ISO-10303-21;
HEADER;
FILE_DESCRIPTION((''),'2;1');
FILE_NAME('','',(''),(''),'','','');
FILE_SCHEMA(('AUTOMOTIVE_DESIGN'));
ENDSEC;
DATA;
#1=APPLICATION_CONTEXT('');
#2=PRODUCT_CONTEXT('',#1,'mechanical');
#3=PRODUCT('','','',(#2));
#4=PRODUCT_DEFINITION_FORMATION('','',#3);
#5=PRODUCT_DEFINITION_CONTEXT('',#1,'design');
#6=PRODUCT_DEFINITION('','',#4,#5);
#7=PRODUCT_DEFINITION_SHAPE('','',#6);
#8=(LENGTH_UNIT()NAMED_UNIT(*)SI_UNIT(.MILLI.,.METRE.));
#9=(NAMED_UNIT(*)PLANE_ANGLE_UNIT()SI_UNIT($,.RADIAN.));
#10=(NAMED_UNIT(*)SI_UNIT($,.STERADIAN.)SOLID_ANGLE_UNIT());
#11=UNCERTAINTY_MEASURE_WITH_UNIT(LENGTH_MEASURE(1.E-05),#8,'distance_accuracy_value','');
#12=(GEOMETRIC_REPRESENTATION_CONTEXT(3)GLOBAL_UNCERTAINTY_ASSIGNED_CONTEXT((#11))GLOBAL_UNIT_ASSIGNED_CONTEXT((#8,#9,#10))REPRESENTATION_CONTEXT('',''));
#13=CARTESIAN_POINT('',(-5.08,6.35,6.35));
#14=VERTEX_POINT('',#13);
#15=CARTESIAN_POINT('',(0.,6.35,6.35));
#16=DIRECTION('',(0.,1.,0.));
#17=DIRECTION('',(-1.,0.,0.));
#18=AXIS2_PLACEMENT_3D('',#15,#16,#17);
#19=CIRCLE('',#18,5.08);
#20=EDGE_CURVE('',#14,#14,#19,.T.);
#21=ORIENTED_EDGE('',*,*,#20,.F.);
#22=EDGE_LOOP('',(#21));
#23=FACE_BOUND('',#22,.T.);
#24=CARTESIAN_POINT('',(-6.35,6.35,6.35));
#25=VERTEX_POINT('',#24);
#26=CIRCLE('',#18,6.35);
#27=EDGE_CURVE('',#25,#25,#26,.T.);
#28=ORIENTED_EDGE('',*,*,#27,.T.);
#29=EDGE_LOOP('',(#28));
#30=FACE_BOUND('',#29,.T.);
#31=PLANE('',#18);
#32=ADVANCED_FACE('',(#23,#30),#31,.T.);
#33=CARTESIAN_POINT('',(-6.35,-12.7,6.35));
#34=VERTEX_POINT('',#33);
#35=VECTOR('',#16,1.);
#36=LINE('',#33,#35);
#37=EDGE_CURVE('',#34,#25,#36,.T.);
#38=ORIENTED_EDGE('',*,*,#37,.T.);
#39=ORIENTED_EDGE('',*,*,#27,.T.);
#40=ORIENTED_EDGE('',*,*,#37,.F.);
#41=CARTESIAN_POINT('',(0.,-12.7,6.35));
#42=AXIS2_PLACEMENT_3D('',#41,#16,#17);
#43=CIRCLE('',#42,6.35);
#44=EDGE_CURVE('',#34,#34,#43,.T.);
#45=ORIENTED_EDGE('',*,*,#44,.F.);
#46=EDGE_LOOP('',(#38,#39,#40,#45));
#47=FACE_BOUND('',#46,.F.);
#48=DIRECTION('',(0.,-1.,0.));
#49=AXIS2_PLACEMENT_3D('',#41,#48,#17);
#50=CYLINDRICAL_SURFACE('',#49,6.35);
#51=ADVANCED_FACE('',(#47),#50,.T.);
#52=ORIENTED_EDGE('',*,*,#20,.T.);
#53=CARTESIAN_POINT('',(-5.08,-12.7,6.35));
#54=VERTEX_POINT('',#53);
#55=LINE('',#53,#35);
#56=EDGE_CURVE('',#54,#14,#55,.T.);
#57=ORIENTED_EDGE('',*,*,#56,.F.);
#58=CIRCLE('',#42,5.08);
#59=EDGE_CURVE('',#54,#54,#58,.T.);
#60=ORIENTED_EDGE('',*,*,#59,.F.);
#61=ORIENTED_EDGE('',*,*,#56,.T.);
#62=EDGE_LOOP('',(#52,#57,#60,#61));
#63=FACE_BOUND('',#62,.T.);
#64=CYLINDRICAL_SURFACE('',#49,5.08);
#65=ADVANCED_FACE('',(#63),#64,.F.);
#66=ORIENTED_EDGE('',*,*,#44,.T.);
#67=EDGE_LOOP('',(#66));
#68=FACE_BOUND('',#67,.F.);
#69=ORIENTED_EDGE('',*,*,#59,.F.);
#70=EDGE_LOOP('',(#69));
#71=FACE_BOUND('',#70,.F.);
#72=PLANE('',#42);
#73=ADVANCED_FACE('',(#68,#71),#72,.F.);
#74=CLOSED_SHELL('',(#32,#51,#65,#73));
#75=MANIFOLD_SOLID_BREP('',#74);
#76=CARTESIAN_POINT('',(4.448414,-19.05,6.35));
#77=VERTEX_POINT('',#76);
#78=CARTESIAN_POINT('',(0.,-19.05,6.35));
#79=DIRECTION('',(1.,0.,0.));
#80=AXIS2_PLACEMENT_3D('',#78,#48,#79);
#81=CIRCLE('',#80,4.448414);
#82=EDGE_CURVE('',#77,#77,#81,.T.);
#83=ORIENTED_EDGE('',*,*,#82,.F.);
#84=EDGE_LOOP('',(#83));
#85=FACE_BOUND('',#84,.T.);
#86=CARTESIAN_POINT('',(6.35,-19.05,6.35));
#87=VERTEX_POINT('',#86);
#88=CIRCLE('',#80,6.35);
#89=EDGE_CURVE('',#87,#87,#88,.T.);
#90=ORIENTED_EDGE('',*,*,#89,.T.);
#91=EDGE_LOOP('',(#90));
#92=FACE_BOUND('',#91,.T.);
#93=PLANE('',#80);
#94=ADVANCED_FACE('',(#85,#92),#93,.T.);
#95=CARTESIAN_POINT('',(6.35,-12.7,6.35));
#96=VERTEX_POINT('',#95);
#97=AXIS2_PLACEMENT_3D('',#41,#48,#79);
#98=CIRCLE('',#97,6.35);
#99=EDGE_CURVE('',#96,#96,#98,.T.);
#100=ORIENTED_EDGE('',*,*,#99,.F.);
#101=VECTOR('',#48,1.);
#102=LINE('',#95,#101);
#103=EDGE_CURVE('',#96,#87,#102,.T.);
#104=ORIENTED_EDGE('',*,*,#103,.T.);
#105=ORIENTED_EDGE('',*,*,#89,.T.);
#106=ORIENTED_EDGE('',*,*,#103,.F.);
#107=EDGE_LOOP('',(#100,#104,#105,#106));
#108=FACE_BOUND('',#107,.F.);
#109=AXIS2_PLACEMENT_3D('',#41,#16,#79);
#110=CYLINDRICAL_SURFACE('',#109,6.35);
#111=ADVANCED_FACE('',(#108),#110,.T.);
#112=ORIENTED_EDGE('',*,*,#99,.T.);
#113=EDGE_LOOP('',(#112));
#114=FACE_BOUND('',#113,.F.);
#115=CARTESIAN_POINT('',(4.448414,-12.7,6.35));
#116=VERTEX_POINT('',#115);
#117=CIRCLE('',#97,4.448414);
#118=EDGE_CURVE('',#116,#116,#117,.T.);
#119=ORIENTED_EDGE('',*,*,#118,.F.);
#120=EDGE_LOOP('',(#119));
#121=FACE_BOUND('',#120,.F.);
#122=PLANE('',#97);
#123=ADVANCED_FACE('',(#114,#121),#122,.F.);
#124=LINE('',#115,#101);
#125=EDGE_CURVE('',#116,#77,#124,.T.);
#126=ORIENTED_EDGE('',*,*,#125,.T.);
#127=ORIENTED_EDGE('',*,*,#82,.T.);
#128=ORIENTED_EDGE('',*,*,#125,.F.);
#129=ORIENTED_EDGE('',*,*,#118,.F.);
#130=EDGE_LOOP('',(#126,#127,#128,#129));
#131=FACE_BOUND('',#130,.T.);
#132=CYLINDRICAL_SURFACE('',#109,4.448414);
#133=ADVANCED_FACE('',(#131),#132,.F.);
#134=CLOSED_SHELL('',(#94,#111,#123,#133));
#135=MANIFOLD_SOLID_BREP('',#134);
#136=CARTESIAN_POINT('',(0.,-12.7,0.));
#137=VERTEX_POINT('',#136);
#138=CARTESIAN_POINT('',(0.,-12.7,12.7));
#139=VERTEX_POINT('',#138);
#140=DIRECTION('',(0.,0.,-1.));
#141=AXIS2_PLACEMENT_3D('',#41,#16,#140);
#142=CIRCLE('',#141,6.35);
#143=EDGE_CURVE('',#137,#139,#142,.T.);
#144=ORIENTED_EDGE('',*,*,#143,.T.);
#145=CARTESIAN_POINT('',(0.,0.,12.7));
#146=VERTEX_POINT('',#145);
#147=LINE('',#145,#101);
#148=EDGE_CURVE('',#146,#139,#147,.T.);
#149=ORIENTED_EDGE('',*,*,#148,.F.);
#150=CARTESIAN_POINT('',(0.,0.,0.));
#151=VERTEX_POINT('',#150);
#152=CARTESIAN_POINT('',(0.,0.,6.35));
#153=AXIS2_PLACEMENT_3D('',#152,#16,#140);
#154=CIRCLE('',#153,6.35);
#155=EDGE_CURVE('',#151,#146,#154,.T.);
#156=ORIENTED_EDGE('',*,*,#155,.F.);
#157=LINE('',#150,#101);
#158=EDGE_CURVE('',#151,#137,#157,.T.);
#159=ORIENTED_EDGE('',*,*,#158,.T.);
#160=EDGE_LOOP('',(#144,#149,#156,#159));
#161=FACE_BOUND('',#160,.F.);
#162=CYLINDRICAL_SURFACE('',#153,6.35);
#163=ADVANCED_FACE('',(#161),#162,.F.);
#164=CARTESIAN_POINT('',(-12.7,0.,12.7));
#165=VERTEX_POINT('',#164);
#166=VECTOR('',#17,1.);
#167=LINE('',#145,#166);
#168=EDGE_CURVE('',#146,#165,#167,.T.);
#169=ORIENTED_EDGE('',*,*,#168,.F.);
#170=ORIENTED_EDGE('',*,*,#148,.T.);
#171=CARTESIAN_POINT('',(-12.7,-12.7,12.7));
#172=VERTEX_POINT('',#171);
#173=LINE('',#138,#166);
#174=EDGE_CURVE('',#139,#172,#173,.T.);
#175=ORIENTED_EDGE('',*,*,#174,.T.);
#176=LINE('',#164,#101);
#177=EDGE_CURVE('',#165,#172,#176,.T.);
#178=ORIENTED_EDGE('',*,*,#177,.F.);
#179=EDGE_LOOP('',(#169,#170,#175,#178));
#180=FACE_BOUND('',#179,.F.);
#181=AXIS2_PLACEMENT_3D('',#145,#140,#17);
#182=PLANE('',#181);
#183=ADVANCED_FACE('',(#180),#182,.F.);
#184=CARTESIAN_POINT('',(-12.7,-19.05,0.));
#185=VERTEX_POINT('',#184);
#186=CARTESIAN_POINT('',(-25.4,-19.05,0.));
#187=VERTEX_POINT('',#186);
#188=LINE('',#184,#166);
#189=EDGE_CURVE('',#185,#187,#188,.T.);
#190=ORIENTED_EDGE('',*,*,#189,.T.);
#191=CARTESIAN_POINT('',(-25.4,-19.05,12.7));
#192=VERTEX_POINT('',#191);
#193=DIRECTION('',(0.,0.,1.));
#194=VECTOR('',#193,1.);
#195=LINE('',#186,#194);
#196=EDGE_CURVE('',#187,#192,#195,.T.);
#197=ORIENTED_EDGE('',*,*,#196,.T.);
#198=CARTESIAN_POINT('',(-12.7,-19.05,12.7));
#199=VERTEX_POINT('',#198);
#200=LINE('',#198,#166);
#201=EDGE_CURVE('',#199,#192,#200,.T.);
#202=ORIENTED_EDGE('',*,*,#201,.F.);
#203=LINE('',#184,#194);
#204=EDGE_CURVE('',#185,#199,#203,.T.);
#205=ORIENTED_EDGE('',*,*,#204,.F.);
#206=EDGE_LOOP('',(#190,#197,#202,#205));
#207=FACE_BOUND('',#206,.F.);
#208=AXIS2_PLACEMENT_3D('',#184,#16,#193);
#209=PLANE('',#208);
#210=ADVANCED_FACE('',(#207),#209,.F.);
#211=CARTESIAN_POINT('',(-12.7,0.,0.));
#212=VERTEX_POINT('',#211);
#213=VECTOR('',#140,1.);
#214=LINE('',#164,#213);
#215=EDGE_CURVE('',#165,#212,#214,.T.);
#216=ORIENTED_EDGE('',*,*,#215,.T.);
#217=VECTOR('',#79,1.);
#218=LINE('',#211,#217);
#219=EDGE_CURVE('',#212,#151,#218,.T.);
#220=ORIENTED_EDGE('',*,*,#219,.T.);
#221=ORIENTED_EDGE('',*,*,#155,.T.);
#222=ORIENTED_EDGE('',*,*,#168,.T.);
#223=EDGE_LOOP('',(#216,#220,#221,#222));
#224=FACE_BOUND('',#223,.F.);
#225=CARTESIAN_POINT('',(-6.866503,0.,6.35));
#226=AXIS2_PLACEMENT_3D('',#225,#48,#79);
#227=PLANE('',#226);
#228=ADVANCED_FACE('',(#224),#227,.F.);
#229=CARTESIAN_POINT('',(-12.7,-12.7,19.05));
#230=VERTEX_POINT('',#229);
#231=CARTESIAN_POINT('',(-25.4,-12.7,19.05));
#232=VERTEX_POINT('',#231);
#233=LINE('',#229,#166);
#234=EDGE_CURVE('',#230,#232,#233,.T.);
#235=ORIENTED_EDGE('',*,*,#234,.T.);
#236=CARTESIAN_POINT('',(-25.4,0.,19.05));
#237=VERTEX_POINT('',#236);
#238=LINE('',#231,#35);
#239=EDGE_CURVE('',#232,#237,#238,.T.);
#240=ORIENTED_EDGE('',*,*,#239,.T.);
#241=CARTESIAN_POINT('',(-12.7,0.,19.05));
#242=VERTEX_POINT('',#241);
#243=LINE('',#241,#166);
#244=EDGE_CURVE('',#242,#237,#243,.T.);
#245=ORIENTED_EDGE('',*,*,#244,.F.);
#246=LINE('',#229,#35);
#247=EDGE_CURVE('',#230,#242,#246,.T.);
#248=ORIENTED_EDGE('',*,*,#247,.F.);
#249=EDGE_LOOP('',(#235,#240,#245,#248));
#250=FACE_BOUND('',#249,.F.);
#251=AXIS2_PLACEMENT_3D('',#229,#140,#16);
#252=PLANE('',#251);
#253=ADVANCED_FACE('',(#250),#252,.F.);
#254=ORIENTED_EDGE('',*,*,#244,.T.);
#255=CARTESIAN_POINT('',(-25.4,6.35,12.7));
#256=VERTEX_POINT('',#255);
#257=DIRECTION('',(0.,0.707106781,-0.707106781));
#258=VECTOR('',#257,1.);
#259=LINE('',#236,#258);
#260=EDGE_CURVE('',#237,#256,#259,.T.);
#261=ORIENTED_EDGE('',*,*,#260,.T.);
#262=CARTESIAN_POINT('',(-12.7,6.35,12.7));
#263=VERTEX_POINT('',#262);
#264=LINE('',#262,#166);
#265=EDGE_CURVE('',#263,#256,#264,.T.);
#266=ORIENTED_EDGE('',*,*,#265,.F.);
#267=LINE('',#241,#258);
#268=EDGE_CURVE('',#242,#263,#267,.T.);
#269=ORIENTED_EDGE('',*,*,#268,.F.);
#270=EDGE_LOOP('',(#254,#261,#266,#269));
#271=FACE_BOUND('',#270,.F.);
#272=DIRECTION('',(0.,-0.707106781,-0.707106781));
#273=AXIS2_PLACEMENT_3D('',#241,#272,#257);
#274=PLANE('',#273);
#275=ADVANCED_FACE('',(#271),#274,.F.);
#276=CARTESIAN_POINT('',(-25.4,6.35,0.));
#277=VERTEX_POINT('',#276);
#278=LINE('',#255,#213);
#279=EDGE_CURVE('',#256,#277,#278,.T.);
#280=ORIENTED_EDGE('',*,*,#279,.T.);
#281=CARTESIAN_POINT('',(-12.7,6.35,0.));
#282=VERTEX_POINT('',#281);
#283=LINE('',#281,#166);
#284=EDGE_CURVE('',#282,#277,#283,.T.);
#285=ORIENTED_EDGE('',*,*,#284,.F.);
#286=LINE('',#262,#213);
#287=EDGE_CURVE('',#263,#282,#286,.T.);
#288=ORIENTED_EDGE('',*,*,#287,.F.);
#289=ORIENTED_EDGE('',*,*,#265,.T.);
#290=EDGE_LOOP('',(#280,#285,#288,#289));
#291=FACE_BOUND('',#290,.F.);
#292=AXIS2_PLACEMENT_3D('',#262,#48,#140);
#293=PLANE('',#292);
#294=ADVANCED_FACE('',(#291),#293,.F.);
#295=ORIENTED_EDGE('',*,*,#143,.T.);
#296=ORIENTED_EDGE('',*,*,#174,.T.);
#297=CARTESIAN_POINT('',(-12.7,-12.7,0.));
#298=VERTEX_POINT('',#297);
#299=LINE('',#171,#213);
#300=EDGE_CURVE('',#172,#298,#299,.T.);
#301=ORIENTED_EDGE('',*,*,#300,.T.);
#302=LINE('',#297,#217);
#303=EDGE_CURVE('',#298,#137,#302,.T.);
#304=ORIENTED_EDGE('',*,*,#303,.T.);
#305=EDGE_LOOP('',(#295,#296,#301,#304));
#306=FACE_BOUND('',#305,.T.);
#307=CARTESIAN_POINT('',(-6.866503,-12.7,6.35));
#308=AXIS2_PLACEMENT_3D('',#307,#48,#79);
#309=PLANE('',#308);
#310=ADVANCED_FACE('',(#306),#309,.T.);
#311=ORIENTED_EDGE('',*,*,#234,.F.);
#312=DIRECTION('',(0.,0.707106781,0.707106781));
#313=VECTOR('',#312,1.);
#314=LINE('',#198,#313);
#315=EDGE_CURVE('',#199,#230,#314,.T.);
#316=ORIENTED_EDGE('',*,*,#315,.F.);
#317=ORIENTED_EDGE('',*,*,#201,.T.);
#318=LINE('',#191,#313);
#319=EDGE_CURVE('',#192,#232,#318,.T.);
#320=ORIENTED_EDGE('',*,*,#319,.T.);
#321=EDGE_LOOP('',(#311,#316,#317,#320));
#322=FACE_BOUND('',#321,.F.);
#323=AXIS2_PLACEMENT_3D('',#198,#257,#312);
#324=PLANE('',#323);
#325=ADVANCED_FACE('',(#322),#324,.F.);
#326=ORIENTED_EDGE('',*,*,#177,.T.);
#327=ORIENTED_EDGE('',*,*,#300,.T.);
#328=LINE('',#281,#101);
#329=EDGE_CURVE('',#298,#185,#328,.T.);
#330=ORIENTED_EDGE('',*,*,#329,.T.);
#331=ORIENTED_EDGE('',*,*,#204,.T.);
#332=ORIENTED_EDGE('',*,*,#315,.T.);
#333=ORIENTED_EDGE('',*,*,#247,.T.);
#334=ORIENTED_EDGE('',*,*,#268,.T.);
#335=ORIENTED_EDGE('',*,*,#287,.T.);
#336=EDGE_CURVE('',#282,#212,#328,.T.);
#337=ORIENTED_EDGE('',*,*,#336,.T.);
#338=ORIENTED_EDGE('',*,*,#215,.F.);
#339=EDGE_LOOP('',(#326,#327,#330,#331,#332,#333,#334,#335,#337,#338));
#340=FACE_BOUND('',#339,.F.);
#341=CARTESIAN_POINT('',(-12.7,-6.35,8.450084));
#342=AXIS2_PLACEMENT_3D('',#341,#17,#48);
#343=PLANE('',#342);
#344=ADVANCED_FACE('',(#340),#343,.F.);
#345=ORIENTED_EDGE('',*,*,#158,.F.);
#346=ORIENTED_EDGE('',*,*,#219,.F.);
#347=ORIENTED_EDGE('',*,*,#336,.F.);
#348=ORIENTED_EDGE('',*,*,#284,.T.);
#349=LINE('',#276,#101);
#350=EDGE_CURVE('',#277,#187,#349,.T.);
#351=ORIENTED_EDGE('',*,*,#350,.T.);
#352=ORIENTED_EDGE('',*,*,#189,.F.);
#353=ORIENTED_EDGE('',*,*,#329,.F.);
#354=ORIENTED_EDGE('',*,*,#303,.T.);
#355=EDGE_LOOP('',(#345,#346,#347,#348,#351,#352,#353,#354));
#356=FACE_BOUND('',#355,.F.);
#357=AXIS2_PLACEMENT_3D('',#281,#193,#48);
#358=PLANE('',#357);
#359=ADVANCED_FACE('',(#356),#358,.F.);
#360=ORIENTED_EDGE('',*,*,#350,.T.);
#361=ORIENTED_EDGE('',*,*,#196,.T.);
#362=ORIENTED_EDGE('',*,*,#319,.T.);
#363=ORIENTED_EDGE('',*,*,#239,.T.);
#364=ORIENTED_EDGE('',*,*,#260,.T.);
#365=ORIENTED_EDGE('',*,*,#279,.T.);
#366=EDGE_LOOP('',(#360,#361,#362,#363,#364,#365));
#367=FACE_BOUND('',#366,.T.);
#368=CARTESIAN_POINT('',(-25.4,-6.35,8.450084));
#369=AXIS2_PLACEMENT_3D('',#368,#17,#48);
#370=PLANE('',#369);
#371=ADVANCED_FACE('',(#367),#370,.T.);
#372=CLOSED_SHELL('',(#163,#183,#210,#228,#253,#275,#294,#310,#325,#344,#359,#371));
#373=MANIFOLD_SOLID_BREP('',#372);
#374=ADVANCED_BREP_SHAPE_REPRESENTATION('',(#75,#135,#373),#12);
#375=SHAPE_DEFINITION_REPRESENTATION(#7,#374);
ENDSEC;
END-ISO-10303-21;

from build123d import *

# Parameters (mm, degrees)
F1_DEPTH = 12.7
F2_R     = 6.35
F2_R_2   = 4.448414
F3_DEPTH = 6.35
F4_R     = 6.35
F4_R_2   = 5.08
F5_DEPTH = 19.05
F7_DEPTH = 12.7


with BuildPart() as f1:
    # F0 (on Front) → F1 (new body)
    with BuildSketch(Plane.XZ):
        with BuildLine():
            Line((-12.7, 0), (0, 0))
            ThreePointArc((0, 0), (-6.35, 6.35), (0, 12.7))
            Line((0, 12.7), (-12.7, 12.7))
            Line((-12.7, 12.7), (-12.7, 0))
        make_face()
    extrude(amount=F1_DEPTH)

    # F6 (on face) → F7 (join)
    with BuildSketch(Plane(origin=(-12.7, 0, 0), x_dir=(0, -1, 0), z_dir=(-1, 0, 0))):
        Polygon((12.7, 19.05), (0, 19.05), (-6.35, 12.7), (-6.35, 0), (19.05, 0), (19.05, 12.7), align=None)
    extrude(amount=F7_DEPTH)


with BuildPart() as f3:
    # F2 (on face) → F3 (new body)
    with BuildSketch(Plane.XZ.offset(12.7)):
        with Locations((0, 6.35)):
            Circle(F2_R)
        with Locations((0, 6.35)):
            Circle(F2_R_2, mode=Mode.SUBTRACT)
    extrude(amount=F3_DEPTH)


with BuildPart() as f5:
    # F4 (on face) → F5 (new body)
    with BuildSketch(Plane(origin=(0, -12.7, 0), x_dir=(-1, 0, 0), z_dir=(0, 1, 0))):
        with Locations((0, 6.35)):
            Circle(F4_R)
        with Locations((0, 6.35)):
            Circle(F4_R_2, mode=Mode.SUBTRACT)
    extrude(amount=F5_DEPTH)


solid = Compound([f1.part, f3.part, f5.part])
